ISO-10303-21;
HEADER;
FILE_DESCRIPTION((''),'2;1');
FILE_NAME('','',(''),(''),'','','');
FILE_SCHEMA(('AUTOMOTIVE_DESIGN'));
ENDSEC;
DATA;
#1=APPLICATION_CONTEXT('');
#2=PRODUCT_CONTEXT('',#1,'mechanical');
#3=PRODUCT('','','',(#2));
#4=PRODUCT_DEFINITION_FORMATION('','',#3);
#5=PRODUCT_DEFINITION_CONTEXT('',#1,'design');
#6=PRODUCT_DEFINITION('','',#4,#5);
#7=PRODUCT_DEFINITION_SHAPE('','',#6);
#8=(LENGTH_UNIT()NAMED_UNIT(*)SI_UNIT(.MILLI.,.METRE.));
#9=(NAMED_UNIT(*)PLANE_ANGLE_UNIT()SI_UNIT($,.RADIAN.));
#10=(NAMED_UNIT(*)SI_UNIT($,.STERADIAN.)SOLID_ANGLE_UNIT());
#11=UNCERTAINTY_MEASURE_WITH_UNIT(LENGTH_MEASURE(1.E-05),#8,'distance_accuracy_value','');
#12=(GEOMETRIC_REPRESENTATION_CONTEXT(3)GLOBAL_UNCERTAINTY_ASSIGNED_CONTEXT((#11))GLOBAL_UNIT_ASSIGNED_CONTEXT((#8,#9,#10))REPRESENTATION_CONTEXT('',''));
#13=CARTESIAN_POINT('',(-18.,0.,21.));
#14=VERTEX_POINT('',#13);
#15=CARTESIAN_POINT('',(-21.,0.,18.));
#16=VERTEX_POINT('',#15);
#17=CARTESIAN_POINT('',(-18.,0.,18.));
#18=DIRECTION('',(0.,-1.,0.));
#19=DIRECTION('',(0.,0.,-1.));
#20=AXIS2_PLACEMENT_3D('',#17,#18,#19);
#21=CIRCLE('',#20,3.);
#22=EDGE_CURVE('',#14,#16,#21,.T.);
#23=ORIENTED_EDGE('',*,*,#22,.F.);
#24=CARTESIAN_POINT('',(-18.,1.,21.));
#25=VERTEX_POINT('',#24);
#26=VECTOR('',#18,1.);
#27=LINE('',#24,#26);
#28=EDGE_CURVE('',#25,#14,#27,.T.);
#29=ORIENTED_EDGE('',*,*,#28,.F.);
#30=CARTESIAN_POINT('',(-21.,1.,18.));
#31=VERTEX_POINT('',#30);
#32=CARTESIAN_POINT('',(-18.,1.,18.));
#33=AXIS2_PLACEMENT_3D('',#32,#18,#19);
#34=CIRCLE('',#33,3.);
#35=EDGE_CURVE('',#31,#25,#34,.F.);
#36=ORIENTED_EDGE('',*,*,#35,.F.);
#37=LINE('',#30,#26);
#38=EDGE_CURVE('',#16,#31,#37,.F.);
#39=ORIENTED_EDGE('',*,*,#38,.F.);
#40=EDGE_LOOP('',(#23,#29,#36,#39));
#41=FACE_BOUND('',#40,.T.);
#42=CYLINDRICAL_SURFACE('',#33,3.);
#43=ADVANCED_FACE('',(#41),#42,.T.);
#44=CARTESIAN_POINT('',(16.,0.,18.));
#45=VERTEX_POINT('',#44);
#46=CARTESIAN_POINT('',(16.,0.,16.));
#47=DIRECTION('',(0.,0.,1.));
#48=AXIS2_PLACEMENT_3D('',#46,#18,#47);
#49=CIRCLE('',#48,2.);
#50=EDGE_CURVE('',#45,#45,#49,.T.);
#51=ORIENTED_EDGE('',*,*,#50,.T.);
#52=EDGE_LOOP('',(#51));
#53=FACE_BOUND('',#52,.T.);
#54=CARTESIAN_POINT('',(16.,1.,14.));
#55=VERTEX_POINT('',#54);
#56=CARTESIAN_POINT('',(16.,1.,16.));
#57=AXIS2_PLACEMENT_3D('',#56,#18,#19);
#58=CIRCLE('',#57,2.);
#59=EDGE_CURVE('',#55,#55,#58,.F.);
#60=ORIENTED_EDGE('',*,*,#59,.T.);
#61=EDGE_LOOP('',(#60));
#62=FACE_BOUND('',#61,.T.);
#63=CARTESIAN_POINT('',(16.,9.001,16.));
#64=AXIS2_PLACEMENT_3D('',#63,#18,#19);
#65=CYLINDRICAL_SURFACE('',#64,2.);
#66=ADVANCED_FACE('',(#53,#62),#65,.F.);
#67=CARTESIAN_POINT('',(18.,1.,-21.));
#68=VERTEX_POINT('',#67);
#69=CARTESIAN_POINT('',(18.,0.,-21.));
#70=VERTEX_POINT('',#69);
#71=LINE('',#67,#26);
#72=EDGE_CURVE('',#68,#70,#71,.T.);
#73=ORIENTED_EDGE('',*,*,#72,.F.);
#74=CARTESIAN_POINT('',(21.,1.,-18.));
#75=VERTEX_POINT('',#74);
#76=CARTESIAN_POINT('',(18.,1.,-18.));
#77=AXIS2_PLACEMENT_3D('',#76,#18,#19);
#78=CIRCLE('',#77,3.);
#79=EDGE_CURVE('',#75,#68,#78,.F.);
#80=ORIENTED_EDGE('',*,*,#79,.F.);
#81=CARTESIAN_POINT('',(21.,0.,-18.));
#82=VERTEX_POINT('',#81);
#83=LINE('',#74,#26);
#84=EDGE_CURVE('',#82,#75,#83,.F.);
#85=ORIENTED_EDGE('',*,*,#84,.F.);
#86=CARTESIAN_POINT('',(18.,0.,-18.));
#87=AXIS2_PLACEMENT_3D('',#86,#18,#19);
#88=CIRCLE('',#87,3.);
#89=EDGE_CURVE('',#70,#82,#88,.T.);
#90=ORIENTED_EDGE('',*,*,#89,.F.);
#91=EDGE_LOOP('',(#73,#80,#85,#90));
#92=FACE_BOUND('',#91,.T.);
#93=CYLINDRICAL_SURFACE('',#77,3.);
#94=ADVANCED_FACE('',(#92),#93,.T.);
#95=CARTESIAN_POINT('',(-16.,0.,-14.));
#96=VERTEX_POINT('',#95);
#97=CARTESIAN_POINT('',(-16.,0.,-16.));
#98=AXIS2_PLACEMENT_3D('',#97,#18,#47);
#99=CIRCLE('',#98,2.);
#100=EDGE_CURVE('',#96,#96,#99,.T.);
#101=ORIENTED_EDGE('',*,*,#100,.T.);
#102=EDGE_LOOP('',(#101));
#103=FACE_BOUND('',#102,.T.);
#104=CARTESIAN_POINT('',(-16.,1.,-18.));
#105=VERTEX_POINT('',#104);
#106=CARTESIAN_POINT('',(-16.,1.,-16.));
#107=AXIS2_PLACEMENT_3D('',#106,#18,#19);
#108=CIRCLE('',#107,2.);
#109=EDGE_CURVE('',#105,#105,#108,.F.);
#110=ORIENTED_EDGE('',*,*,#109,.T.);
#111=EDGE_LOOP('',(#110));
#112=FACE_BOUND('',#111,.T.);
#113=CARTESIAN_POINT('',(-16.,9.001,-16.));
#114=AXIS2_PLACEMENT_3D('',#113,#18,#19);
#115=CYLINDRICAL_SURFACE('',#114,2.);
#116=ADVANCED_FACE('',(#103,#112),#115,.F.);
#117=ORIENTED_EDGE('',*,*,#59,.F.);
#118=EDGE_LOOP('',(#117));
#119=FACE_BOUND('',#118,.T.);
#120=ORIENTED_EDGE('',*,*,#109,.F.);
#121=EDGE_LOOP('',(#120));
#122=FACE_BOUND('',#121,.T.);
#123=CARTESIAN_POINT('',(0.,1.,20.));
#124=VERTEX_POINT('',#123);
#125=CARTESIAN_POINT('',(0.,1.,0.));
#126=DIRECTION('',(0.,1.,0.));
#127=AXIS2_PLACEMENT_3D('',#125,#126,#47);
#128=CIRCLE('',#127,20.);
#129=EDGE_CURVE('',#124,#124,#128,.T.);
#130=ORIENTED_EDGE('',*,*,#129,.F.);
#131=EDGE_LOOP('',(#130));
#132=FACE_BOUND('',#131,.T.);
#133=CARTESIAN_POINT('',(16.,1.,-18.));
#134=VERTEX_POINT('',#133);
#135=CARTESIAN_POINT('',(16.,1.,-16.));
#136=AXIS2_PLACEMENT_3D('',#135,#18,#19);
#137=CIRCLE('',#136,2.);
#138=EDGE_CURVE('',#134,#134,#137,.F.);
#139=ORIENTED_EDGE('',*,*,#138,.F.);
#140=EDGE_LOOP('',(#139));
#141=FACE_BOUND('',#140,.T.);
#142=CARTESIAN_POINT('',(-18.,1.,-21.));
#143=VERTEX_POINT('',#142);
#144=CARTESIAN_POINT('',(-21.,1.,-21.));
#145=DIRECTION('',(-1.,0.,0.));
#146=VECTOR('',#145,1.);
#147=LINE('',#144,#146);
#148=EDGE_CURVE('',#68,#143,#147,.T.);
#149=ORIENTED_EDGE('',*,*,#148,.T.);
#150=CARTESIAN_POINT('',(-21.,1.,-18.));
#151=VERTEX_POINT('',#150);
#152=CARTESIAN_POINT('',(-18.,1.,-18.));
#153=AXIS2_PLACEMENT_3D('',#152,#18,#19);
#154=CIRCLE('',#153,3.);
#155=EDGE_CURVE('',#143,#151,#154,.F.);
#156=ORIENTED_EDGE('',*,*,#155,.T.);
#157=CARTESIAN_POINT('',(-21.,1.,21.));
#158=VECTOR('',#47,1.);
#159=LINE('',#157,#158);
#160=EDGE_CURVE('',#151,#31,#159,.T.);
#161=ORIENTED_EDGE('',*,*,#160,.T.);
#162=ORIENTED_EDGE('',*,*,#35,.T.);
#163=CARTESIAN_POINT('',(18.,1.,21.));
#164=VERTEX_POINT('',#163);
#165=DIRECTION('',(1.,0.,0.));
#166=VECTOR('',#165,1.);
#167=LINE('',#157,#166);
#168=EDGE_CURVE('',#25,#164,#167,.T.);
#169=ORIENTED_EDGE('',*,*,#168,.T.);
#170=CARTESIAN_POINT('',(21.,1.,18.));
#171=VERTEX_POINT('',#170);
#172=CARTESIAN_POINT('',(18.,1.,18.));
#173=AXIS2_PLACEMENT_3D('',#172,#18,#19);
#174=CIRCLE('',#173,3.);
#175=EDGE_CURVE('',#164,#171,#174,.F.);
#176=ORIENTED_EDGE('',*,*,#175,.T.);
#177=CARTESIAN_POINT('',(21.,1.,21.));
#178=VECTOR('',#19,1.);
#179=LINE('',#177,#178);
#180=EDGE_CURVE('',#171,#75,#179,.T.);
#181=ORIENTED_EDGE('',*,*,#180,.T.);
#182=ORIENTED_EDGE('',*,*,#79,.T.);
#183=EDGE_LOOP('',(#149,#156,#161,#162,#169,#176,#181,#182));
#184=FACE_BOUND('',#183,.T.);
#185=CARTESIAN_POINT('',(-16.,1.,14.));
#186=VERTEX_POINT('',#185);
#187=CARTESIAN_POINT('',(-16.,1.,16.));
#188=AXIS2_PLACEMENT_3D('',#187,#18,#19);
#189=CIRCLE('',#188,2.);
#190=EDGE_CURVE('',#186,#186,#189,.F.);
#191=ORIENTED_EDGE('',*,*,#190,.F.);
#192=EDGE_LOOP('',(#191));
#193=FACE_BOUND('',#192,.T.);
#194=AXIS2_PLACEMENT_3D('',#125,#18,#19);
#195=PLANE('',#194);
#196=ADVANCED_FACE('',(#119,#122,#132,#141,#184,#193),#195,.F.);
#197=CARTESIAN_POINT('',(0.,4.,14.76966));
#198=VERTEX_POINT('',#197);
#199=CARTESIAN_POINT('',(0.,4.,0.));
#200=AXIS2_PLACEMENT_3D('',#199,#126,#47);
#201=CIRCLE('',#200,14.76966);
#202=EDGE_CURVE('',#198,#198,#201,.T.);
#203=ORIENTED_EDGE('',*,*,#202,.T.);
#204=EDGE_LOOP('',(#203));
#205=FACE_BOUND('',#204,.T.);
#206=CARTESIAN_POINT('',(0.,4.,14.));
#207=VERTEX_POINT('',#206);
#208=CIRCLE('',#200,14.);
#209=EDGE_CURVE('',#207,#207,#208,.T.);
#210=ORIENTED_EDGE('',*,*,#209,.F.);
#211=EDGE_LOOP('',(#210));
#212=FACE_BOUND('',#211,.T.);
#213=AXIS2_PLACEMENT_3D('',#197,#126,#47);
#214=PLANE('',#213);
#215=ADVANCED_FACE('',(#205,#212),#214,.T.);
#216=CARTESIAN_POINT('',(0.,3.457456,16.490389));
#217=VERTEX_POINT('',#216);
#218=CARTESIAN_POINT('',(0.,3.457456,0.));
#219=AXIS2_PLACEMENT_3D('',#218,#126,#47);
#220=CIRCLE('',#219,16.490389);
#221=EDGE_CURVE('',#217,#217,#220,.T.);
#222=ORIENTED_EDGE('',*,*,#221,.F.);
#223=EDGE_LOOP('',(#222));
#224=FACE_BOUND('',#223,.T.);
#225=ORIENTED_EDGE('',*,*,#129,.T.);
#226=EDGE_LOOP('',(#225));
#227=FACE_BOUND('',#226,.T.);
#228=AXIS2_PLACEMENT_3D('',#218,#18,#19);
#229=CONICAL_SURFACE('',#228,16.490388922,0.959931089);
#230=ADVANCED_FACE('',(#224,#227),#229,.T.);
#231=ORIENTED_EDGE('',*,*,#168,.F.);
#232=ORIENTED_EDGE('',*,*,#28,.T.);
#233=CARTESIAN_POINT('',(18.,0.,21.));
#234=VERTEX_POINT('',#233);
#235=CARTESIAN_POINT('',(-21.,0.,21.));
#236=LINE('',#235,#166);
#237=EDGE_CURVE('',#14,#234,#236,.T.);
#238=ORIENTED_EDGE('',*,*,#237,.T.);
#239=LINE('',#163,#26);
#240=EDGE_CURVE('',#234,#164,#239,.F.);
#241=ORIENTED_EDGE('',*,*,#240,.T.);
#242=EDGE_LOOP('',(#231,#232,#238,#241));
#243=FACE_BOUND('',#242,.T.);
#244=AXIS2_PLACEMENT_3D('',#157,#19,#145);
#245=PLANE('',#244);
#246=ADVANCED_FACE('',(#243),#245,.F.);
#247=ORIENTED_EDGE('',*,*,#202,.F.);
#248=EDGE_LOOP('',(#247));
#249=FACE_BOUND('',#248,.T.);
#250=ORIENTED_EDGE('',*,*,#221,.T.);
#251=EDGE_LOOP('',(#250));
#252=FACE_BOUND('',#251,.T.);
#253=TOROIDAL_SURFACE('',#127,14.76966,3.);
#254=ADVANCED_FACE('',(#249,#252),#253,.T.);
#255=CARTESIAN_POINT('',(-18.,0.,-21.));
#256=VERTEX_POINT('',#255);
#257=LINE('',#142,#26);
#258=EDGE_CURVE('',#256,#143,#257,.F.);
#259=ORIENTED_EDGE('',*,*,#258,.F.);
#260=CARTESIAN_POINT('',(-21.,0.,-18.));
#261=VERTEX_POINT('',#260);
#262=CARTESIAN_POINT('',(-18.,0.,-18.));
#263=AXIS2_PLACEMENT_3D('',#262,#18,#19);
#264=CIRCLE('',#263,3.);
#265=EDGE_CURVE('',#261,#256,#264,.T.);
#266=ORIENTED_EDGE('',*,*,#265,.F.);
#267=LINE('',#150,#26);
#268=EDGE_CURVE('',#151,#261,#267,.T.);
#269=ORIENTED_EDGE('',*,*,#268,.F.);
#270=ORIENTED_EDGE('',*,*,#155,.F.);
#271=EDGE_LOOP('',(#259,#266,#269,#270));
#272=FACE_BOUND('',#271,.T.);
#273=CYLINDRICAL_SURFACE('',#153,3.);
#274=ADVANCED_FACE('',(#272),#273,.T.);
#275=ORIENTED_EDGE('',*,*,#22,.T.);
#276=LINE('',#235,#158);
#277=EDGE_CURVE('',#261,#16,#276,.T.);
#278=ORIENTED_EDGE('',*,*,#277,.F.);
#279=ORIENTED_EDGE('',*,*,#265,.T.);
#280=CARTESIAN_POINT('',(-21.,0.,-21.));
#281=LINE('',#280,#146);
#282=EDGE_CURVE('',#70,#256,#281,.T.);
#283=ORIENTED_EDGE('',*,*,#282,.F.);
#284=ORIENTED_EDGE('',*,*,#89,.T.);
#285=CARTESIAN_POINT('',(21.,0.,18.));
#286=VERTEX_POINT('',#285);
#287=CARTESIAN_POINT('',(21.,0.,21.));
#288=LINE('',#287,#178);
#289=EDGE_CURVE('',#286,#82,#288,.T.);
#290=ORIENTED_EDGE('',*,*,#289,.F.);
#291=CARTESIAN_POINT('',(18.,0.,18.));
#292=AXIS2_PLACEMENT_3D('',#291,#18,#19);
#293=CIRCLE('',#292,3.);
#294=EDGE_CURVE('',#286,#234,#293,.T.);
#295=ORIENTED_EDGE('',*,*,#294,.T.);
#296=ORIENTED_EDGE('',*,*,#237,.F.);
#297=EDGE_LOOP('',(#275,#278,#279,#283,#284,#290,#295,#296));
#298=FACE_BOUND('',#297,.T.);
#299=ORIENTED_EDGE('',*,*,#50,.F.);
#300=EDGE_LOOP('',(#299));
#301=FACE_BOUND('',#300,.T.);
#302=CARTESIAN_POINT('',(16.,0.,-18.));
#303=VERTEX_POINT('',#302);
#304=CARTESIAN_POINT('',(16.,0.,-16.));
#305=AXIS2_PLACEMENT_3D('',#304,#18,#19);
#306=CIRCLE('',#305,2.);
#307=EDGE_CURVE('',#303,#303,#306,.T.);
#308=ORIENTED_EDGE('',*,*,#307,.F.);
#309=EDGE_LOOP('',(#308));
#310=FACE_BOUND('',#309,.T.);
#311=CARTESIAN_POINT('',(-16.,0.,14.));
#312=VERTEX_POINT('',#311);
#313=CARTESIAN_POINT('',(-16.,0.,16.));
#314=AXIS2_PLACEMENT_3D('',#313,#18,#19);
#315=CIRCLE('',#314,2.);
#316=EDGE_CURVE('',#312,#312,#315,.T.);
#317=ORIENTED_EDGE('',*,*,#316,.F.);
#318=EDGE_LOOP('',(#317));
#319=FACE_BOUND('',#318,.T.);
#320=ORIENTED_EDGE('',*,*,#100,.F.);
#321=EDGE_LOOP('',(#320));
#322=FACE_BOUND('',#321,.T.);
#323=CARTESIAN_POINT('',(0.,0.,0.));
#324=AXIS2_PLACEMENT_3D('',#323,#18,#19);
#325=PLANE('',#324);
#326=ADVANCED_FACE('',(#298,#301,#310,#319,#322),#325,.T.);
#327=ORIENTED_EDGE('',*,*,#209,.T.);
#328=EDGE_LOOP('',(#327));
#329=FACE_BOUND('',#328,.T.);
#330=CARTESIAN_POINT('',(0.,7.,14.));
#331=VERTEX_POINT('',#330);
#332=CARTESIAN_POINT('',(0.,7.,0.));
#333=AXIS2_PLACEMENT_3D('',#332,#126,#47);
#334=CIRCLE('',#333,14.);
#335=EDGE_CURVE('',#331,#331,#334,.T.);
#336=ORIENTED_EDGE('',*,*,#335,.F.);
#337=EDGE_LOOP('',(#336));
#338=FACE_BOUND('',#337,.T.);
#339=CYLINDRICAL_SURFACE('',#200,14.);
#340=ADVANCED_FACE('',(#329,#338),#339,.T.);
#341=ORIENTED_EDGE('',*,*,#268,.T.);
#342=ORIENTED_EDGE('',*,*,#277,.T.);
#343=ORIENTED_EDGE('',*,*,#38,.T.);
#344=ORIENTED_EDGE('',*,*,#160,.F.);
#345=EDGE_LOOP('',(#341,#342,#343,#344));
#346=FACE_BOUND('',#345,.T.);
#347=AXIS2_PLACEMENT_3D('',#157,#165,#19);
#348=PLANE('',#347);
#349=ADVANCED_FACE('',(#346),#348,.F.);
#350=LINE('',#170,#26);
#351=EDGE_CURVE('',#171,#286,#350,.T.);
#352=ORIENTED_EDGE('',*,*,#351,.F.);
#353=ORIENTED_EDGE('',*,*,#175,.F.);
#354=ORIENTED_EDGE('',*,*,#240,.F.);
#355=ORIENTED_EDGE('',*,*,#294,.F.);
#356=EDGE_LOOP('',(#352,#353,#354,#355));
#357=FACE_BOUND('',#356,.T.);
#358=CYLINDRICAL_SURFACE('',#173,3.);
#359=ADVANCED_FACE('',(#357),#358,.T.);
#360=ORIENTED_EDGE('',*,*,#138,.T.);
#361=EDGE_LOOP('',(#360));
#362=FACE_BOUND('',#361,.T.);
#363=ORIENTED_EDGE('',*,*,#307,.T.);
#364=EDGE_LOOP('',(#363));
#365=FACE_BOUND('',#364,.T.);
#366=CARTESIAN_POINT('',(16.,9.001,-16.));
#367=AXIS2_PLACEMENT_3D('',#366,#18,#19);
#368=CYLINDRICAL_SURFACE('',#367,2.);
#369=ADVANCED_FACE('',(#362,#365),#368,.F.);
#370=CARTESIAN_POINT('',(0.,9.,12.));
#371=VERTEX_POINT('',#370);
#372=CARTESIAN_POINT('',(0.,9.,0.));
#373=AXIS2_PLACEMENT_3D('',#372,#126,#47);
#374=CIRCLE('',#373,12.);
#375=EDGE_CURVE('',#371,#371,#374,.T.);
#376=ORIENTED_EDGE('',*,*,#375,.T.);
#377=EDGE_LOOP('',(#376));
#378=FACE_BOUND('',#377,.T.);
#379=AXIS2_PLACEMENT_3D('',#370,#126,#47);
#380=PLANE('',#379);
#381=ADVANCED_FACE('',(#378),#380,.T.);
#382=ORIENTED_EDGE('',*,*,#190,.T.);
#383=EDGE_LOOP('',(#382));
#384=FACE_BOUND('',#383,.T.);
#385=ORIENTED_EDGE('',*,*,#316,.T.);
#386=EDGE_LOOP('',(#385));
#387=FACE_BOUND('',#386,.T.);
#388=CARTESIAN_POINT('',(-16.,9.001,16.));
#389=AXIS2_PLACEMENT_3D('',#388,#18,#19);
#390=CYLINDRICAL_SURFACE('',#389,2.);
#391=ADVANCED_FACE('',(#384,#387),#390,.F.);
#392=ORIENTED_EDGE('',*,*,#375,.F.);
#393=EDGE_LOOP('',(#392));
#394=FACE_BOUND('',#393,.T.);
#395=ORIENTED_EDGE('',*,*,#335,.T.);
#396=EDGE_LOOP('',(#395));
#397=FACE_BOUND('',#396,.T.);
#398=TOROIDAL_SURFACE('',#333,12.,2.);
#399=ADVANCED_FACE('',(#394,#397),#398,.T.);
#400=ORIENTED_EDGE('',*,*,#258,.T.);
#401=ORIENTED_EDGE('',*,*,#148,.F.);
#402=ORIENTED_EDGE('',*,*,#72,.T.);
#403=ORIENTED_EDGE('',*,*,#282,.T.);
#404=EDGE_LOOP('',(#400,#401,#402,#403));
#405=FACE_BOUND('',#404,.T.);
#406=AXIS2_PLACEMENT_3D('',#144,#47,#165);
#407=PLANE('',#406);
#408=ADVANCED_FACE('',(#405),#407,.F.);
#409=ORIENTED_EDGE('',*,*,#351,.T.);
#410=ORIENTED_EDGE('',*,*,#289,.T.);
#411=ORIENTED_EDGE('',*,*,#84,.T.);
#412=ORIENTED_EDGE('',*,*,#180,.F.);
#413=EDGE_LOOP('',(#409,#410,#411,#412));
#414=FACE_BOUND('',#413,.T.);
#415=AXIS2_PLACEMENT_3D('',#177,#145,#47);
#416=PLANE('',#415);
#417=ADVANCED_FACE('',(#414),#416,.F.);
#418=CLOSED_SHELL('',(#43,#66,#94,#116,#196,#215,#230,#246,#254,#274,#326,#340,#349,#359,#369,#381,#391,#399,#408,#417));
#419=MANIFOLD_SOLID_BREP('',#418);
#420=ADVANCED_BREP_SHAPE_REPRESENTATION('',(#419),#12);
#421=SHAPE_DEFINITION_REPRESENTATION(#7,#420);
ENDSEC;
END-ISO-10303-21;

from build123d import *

# Parameters (mm, degrees)
ESQUISSE1_W             = 42
ESQUISSE1_H             = 42
BOSS_EXTRU_1_DEPTH      = 1
CONG_1_R                = 3
ENL_V_MAT_EXTRU_1_REACH = 11
ESQUISSE3_R             = 2


with BuildPart() as part:
    # Esquisse1 → Boss.-Extru.1 (new body)
    with BuildSketch(Plane(origin=(0, 0, 0), x_dir=(1, 0, 0), z_dir=(0, 1, 0))):
        Rectangle(ESQUISSE1_W, ESQUISSE1_H)
    extrude(amount=BOSS_EXTRU_1_DEPTH)

    # Congé1
    cong_1_edges = [part.edges().sort_by_distance(p)[0] for p in [
        (-21, 0.5, -21),
        (21, 0.5, -21),
        (21, 0.5, 21),
        (-21, 0.5, 21),
    ]]
    fillet(cong_1_edges, radius=CONG_1_R)

    # Esquisse2 → Révolution1 (revolve)
    with BuildSketch(Plane(origin=(0, 0, 0), x_dir=(0, 0, -1), z_dir=(1, 0, 0))):
        with BuildLine():
            Line((-20, 1), (-16.490388922, 3.457456133))
            ThreePointArc((-16.490388922, 3.457456133), (-15.671777012, 3.861150852), (-14.769659613, 4))
            Line((-14.769659613, 4), (-14, 4))
            Line((-14, 4), (-14, 7))
            ThreePointArc((-14, 7), (-13.414213562, 8.414213562), (-12, 9))
            Line((-12, 9), (0, 9))
            Line((0, 9), (0, 4))
            Line((0, 4), (0, 1))
            Line((0, 1), (-20, 1))
        make_face()
    revolve(axis=Axis((0, 4, 0), (0, -1, 0)))

    # Esquisse3 → Enlèv. mat.-Extru.1 (cut, up to next)
    with BuildSketch(Plane.XZ, mode=Mode.PRIVATE) as enl_v_mat_extru_1_sk1:
        with Locations((-16, 16)):
            Circle(ESQUISSE3_R)
    enl_v_mat_extru_1_tool1 = extrude(enl_v_mat_extru_1_sk1.sketch, amount=-ENL_V_MAT_EXTRU_1_REACH, mode=Mode.PRIVATE) & part.part
    add(enl_v_mat_extru_1_tool1.solids().sort_by_distance((-16, 0, 16))[0], mode=Mode.SUBTRACT)
    # Esquisse3 → Enlèv. mat.-Extru.1 (cut, up to next)
    with BuildSketch(Plane.XZ, mode=Mode.PRIVATE) as enl_v_mat_extru_1_sk2:
        with Locations((16, 16)):
            Circle(ESQUISSE3_R)
    enl_v_mat_extru_1_tool2 = extrude(enl_v_mat_extru_1_sk2.sketch, amount=-ENL_V_MAT_EXTRU_1_REACH, mode=Mode.PRIVATE) & part.part
    add(enl_v_mat_extru_1_tool2.solids().sort_by_distance((16, 0, 16))[0], mode=Mode.SUBTRACT)
    # Esquisse3 → Enlèv. mat.-Extru.1 (cut, up to next)
    with BuildSketch(Plane.XZ, mode=Mode.PRIVATE) as enl_v_mat_extru_1_sk3:
        with Locations((-16, -16)):
            Circle(ESQUISSE3_R)
    enl_v_mat_extru_1_tool3 = extrude(enl_v_mat_extru_1_sk3.sketch, amount=-ENL_V_MAT_EXTRU_1_REACH, mode=Mode.PRIVATE) & part.part
    add(enl_v_mat_extru_1_tool3.solids().sort_by_distance((-16, 0, -16))[0], mode=Mode.SUBTRACT)
    # Esquisse3 → Enlèv. mat.-Extru.1 (cut, up to next)
    with BuildSketch(Plane.XZ, mode=Mode.PRIVATE) as enl_v_mat_extru_1_sk4:
        with Locations((16, -16)):
            Circle(ESQUISSE3_R)
    enl_v_mat_extru_1_tool4 = extrude(enl_v_mat_extru_1_sk4.sketch, amount=-ENL_V_MAT_EXTRU_1_REACH, mode=Mode.PRIVATE) & part.part
    add(enl_v_mat_extru_1_tool4.solids().sort_by_distance((16, 0, -16))[0], mode=Mode.SUBTRACT)


solid = part.part
